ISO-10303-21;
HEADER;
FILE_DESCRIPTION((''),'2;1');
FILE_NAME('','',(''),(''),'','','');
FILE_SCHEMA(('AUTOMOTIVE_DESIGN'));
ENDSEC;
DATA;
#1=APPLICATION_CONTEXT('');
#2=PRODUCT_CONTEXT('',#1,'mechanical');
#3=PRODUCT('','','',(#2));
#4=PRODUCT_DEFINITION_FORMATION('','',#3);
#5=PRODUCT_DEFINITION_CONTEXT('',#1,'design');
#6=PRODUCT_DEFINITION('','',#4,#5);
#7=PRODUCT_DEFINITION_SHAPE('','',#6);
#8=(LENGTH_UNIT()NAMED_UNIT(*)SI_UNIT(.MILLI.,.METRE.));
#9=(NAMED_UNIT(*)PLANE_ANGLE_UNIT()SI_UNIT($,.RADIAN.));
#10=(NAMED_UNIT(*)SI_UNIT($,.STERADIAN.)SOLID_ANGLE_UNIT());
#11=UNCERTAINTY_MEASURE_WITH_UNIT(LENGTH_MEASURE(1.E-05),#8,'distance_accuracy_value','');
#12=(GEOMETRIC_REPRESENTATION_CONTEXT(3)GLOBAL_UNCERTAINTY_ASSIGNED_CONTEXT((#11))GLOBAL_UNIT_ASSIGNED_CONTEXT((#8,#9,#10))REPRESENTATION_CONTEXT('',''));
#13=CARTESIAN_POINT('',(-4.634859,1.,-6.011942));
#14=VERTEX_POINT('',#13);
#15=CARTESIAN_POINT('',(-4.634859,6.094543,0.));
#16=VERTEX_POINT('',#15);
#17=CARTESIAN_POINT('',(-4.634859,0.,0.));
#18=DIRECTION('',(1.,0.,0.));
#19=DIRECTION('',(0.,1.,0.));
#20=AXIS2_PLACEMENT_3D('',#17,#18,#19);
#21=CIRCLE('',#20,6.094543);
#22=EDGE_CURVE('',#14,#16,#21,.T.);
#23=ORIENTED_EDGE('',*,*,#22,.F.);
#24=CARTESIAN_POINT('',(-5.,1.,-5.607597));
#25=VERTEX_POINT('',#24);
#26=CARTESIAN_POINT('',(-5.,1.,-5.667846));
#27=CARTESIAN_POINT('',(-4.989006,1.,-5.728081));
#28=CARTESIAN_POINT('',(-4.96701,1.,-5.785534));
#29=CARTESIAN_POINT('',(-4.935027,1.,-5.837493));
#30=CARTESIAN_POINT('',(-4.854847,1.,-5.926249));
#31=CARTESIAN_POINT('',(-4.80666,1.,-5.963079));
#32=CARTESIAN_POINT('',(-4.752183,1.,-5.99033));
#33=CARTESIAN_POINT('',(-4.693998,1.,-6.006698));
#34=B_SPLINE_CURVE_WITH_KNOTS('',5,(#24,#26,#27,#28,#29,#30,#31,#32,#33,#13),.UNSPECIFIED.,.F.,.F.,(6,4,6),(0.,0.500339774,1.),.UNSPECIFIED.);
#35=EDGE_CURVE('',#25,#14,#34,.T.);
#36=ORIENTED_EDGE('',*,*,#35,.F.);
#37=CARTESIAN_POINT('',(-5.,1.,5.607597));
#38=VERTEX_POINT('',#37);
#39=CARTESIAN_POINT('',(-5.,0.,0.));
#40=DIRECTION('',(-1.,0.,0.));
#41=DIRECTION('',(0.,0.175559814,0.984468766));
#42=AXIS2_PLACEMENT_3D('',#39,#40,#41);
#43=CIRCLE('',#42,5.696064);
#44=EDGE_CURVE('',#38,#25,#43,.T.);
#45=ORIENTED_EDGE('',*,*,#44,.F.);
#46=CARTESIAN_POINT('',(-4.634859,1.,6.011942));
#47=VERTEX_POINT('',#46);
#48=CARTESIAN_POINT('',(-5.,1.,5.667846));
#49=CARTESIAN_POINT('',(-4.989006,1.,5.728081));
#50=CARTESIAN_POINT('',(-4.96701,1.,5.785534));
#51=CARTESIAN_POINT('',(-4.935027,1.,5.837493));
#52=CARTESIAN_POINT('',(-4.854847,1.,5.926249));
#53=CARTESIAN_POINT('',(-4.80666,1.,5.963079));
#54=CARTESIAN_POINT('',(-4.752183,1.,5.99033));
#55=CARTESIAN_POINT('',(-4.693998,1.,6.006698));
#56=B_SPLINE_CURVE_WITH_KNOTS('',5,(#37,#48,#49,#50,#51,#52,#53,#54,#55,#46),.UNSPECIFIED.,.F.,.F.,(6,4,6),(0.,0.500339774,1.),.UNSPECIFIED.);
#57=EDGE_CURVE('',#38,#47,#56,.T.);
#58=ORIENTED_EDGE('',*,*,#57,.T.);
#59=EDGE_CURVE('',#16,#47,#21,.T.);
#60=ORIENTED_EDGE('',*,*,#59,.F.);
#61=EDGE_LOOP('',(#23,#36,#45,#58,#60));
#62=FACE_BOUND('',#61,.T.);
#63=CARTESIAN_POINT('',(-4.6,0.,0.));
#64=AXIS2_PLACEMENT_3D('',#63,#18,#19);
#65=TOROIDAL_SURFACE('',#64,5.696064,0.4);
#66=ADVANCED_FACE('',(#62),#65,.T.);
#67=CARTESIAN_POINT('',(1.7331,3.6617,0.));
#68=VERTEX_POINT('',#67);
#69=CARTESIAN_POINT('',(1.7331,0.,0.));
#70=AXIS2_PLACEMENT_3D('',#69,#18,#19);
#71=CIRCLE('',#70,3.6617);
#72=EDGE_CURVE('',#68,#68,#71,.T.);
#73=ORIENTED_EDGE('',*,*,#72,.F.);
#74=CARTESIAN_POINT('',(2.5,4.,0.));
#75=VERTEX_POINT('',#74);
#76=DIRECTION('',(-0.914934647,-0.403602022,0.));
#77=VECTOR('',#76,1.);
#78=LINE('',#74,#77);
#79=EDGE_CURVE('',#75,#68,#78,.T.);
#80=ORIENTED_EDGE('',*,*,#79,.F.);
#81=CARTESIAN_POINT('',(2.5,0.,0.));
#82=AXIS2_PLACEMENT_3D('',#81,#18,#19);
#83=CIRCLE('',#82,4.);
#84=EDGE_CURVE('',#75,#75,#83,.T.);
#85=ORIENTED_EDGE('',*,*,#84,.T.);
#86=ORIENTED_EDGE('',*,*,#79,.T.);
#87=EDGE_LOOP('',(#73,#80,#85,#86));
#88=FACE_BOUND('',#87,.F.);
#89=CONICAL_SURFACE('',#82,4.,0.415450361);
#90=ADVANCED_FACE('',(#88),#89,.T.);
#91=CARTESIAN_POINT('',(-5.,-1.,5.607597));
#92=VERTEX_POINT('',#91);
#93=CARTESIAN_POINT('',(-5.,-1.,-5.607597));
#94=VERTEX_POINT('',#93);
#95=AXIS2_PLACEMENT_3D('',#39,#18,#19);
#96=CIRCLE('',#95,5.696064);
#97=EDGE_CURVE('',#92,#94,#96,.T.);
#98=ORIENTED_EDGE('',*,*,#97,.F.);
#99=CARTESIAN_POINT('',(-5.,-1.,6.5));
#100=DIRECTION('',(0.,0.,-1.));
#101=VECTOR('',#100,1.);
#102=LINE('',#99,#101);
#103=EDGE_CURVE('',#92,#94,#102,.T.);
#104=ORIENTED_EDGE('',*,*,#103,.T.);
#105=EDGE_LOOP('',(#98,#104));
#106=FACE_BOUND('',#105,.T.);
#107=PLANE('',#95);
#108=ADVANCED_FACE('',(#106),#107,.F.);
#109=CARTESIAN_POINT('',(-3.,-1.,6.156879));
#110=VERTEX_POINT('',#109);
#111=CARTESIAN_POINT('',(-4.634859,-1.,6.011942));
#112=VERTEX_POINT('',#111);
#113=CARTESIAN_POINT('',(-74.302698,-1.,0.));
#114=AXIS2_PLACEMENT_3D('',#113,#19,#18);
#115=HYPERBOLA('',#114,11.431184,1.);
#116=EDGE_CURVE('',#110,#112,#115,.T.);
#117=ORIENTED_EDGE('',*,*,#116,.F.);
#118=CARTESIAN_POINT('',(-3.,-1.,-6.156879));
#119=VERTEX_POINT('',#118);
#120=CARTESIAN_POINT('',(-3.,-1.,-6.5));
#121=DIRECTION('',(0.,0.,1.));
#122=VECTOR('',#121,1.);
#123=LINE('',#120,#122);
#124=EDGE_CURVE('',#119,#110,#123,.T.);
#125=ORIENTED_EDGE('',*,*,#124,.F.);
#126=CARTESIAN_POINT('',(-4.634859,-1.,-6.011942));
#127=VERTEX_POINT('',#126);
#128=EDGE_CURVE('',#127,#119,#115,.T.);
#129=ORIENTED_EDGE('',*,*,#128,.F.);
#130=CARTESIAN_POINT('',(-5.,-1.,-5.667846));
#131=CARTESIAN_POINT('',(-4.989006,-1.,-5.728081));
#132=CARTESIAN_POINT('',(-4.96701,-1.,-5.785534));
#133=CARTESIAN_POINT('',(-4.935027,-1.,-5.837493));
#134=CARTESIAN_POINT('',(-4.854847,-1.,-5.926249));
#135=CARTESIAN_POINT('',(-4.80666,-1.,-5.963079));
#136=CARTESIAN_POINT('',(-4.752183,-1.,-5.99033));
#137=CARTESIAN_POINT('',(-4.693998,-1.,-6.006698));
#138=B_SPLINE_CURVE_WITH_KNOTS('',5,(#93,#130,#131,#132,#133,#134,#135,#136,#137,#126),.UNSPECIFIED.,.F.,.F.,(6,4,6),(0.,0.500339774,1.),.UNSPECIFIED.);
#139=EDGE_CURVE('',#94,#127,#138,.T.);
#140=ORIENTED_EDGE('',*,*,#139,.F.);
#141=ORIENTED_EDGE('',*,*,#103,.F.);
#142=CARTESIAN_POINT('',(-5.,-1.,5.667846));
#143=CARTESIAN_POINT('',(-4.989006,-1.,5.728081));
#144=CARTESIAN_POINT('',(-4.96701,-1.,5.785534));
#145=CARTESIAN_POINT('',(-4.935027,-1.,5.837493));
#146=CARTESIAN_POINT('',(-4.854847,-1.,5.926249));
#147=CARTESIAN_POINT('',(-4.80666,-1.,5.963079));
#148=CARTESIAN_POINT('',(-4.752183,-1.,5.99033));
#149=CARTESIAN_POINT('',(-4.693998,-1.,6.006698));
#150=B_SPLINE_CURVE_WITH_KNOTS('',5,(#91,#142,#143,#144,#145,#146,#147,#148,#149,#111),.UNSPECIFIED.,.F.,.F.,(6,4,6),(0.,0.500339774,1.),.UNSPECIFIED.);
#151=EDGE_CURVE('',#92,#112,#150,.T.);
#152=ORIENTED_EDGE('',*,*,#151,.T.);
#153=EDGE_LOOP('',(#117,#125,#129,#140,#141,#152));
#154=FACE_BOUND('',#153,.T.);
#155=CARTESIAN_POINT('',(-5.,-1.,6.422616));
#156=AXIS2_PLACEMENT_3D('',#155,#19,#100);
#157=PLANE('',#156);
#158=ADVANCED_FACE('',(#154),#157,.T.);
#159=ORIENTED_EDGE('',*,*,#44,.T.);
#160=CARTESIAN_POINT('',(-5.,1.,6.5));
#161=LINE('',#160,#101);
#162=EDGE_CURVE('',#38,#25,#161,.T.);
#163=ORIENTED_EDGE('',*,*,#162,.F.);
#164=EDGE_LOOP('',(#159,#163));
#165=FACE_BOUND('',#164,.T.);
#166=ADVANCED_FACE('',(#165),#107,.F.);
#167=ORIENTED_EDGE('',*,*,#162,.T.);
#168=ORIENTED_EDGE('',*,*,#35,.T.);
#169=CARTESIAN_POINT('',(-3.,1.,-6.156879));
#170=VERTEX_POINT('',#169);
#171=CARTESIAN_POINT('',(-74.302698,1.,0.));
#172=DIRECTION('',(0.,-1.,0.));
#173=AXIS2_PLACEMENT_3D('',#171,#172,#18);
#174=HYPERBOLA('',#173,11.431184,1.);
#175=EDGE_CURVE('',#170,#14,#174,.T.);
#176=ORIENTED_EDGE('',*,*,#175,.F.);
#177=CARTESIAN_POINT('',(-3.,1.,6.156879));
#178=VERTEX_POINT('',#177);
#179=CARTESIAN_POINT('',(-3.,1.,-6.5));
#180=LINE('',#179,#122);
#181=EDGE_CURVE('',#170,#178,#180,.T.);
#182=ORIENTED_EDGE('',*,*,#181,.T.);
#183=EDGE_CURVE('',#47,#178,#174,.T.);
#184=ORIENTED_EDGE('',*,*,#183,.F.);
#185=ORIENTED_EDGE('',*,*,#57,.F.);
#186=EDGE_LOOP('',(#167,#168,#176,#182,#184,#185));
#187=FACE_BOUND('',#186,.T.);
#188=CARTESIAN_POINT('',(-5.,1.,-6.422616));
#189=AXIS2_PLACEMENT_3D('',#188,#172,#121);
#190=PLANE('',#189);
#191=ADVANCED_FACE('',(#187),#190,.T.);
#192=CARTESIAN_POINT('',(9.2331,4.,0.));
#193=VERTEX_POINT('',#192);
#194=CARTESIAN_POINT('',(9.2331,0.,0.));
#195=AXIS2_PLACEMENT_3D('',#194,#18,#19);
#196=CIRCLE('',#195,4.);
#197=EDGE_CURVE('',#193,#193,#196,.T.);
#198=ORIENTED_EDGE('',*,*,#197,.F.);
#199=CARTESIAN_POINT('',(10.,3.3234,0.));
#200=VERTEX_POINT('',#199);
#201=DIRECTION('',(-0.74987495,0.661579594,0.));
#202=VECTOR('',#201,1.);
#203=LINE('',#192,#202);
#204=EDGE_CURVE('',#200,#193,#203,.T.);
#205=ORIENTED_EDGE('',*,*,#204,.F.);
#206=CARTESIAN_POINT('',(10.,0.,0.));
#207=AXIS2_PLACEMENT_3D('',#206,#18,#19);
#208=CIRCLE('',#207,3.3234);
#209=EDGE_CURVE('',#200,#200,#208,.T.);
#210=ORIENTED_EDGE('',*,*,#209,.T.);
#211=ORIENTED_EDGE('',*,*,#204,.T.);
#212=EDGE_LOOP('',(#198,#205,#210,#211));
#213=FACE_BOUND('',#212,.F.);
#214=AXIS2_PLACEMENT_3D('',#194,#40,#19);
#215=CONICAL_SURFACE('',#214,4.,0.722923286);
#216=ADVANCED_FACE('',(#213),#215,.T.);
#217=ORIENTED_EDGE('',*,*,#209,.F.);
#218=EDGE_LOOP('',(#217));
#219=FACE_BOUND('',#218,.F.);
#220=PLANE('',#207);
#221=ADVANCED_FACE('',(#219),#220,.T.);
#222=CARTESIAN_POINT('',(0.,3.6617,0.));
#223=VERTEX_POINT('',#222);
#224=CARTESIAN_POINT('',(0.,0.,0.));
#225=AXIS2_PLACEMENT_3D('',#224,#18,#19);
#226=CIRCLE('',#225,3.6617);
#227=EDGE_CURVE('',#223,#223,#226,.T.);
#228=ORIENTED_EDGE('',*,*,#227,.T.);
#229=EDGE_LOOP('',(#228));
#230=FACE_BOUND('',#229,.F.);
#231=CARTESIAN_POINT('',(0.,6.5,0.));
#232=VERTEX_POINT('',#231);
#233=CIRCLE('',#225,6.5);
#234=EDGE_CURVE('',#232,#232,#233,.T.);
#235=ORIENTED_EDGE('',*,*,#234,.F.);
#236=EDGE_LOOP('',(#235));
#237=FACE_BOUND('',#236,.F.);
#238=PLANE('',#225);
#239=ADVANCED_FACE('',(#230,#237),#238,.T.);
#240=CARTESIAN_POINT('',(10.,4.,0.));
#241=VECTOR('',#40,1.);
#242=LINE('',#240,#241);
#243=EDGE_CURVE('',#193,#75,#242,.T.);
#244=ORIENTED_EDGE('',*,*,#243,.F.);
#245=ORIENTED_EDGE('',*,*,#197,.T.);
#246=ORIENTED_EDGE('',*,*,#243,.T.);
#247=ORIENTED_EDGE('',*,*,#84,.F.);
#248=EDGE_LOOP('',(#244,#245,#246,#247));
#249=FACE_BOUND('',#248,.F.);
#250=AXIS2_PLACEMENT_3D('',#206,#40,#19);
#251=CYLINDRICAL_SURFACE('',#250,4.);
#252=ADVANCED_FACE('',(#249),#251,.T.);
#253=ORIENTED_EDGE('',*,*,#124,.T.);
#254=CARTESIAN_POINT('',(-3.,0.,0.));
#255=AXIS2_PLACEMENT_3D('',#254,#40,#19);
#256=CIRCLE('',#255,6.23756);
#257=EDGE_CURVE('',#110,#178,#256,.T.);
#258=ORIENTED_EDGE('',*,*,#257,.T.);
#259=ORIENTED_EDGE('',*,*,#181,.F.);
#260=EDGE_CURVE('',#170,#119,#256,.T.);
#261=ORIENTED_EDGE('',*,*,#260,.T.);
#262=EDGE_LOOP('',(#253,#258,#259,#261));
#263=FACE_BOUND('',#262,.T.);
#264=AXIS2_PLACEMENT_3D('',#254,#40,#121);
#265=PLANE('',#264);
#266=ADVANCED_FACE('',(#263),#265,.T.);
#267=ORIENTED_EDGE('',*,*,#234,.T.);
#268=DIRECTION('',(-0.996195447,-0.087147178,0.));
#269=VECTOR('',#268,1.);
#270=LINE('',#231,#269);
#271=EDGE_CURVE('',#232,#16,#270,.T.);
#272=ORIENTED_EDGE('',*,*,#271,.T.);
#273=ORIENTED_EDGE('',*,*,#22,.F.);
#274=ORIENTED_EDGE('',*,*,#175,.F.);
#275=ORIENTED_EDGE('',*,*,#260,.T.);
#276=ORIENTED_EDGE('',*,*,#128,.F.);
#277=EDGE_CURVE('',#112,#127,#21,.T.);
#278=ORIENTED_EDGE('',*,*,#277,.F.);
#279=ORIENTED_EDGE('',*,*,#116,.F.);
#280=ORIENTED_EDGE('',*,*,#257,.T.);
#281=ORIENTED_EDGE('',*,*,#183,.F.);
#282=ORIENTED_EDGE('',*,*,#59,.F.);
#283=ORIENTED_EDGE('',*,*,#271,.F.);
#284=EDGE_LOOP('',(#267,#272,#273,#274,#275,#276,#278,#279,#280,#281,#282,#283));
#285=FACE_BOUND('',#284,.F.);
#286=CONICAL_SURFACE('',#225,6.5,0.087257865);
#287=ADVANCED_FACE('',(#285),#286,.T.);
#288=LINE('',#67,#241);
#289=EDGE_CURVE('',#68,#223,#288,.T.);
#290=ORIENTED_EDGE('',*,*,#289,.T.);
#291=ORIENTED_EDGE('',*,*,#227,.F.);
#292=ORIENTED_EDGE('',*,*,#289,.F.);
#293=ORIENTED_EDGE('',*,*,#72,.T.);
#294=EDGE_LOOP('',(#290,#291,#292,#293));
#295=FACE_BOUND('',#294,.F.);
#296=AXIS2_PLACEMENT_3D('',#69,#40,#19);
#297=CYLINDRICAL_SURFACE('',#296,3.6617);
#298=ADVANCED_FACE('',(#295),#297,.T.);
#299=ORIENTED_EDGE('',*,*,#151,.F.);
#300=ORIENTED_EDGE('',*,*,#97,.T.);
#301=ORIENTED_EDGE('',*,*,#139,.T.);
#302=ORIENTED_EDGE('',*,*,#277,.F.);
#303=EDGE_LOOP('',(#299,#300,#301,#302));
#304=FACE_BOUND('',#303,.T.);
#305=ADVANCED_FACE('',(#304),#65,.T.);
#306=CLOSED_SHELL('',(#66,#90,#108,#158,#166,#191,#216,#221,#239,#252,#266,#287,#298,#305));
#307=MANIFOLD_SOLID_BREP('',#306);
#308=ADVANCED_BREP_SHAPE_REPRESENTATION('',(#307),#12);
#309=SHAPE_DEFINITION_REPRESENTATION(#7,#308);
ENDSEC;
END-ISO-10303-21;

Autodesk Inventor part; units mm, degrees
ref_plane "YZ Plane" through (0, 0, 0) normal (1, 0, 0) x (0, 1, 0)
ref_plane "XZ Plane" through (0, 0, 0) normal (0, 1, 0) x (-1, 0, 0)
sketch "Sketch1" plane through (0, 0, 0) normal (0, 0, 1) x (1, 0, 0)
  line L0 (-5, 0) -> (10, 0)
  line L1 (10, 0) -> (10, 4)
  line L2 (10, 4) -> (2.5, 4)
  line L3 (2.5, 4) -> (1.7331, 3.6617)
  line L4 (1.7331, 3.6617) -> (0, 3.6617)
  line L5 (0, 3.6617) -> (0, 6.5)
  line L6 (-8, 0) -> (13, 0) projected
  line L7 (0, -1.3) -> (0, 7.8) projected
  line L8 (-5, 0) -> (-5, 6.0626)
  line L9 (0, 6.5) -> (-5, 6.0626)
  line L10 (2.5, 4) -> (0, 4) construction
  dimension "d0" = 10
  dimension "d1" = 7.5
  dimension "d2" = 0.7669
  dimension "d3" = 5
  dimension "d4" = 8
  dimension "d5" = 7.3234
  dimension "d9" = 13
  dimension "d10" = 5
revolve "Body" add sketch "Sketch1" angle 360 about axis through (-5, 0, 0) along (1, 0, 0)
sketch "Sketch2" plane through (-5, 0, 0) normal (-1, 0, 0) x (0, 0, 1)
  circle A0 centre (0, 0) radius 6.5 projected
  line L0 (0, 0) -> (0, 6.0626) projected
  line L1 (-6.5, 1) -> (6.5, 1)
  line L2 (6.5, 1) -> (6.5, -1)
  line L3 (6.5, -1) -> (-6.5, -1)
  line L4 (-6.5, -1) -> (-6.5, 1)
  line L5 (-6.5, 0) -> (6.5, 0) construction
  line L6 (0, 1) -> (0, -1) construction
  dimension "d11" = 2
  dimension "d12" = 13
fillet "Fillet1" radius 0.4 1 edges at (-5, -6.0626, 0)
extrude "Slot" cut sketch "Sketch2" against normal blind 2 contours A0 L3 L1 | L2 L3 A0 | A0 L1 L2 | A0 L4 L1 | L3 L4 A0
thread "Thread" size "M8x1.25" class "6g" standard "ISO Metric profile" length 7.5
chamfer "Chamfer1" distance 0.6766 distance2 0.7669 1 edges at (10, -4, 0) measured on face at (10, 0.998, 0.8842)
ref_plane "Work Plane1" through (30.1625, 0, 0) normal (0, 0, -1) x (1, 0, 0)
equation "\"d11\" = SBR"
equation "\"d12\" = KOD"
equation "\"d14\" = RR"
equation "\"d19\" = STI"
equation "\"d15\" = GEL"
equation "\"d17\" = -0.5 * SPD + 0.5 * GD"
equation "\"d0\" = NLG"
equation "\"d1\" = GEL"
equation "\"d3\" = KOH"
equation "\"d4\" = GD"
equation "\"d5\" = BDM"
equation "\"d9\" = KOD"
equation "\"d10\" = KEWI"
equation "\"GD\" = 8"
equation "\"NLG\" = 10"
equation "\"GEL\" = 7.5"
equation "\"KOD\" = 13"
equation "\"KOH\" = 5"
equation "\"GAL\" = 0.61345 * PTC"
equation "\"SPD\" = 6.64684"
equation "\"BDM\" = 7.32342"
equation "\"GUL\" = 0.61345 * PTC"
equation "\"RR\" = 0.4"
equation "\"SBR\" = 2"
equation "\"STI\" = 2"
equation "\"KEWI\" = 5deg"
equation "\"PTC\" = 1.25"
equation "\"THREADDIA\" = 8"
equation "\"TOA\" = 30deg"
equation "\"NND\" = 8"
equation "\"GD1\" = THREADDIA - 1.2269 * PTC"
properties part number "DIN 84 - M8 x 10" material "Steel, Mild"
